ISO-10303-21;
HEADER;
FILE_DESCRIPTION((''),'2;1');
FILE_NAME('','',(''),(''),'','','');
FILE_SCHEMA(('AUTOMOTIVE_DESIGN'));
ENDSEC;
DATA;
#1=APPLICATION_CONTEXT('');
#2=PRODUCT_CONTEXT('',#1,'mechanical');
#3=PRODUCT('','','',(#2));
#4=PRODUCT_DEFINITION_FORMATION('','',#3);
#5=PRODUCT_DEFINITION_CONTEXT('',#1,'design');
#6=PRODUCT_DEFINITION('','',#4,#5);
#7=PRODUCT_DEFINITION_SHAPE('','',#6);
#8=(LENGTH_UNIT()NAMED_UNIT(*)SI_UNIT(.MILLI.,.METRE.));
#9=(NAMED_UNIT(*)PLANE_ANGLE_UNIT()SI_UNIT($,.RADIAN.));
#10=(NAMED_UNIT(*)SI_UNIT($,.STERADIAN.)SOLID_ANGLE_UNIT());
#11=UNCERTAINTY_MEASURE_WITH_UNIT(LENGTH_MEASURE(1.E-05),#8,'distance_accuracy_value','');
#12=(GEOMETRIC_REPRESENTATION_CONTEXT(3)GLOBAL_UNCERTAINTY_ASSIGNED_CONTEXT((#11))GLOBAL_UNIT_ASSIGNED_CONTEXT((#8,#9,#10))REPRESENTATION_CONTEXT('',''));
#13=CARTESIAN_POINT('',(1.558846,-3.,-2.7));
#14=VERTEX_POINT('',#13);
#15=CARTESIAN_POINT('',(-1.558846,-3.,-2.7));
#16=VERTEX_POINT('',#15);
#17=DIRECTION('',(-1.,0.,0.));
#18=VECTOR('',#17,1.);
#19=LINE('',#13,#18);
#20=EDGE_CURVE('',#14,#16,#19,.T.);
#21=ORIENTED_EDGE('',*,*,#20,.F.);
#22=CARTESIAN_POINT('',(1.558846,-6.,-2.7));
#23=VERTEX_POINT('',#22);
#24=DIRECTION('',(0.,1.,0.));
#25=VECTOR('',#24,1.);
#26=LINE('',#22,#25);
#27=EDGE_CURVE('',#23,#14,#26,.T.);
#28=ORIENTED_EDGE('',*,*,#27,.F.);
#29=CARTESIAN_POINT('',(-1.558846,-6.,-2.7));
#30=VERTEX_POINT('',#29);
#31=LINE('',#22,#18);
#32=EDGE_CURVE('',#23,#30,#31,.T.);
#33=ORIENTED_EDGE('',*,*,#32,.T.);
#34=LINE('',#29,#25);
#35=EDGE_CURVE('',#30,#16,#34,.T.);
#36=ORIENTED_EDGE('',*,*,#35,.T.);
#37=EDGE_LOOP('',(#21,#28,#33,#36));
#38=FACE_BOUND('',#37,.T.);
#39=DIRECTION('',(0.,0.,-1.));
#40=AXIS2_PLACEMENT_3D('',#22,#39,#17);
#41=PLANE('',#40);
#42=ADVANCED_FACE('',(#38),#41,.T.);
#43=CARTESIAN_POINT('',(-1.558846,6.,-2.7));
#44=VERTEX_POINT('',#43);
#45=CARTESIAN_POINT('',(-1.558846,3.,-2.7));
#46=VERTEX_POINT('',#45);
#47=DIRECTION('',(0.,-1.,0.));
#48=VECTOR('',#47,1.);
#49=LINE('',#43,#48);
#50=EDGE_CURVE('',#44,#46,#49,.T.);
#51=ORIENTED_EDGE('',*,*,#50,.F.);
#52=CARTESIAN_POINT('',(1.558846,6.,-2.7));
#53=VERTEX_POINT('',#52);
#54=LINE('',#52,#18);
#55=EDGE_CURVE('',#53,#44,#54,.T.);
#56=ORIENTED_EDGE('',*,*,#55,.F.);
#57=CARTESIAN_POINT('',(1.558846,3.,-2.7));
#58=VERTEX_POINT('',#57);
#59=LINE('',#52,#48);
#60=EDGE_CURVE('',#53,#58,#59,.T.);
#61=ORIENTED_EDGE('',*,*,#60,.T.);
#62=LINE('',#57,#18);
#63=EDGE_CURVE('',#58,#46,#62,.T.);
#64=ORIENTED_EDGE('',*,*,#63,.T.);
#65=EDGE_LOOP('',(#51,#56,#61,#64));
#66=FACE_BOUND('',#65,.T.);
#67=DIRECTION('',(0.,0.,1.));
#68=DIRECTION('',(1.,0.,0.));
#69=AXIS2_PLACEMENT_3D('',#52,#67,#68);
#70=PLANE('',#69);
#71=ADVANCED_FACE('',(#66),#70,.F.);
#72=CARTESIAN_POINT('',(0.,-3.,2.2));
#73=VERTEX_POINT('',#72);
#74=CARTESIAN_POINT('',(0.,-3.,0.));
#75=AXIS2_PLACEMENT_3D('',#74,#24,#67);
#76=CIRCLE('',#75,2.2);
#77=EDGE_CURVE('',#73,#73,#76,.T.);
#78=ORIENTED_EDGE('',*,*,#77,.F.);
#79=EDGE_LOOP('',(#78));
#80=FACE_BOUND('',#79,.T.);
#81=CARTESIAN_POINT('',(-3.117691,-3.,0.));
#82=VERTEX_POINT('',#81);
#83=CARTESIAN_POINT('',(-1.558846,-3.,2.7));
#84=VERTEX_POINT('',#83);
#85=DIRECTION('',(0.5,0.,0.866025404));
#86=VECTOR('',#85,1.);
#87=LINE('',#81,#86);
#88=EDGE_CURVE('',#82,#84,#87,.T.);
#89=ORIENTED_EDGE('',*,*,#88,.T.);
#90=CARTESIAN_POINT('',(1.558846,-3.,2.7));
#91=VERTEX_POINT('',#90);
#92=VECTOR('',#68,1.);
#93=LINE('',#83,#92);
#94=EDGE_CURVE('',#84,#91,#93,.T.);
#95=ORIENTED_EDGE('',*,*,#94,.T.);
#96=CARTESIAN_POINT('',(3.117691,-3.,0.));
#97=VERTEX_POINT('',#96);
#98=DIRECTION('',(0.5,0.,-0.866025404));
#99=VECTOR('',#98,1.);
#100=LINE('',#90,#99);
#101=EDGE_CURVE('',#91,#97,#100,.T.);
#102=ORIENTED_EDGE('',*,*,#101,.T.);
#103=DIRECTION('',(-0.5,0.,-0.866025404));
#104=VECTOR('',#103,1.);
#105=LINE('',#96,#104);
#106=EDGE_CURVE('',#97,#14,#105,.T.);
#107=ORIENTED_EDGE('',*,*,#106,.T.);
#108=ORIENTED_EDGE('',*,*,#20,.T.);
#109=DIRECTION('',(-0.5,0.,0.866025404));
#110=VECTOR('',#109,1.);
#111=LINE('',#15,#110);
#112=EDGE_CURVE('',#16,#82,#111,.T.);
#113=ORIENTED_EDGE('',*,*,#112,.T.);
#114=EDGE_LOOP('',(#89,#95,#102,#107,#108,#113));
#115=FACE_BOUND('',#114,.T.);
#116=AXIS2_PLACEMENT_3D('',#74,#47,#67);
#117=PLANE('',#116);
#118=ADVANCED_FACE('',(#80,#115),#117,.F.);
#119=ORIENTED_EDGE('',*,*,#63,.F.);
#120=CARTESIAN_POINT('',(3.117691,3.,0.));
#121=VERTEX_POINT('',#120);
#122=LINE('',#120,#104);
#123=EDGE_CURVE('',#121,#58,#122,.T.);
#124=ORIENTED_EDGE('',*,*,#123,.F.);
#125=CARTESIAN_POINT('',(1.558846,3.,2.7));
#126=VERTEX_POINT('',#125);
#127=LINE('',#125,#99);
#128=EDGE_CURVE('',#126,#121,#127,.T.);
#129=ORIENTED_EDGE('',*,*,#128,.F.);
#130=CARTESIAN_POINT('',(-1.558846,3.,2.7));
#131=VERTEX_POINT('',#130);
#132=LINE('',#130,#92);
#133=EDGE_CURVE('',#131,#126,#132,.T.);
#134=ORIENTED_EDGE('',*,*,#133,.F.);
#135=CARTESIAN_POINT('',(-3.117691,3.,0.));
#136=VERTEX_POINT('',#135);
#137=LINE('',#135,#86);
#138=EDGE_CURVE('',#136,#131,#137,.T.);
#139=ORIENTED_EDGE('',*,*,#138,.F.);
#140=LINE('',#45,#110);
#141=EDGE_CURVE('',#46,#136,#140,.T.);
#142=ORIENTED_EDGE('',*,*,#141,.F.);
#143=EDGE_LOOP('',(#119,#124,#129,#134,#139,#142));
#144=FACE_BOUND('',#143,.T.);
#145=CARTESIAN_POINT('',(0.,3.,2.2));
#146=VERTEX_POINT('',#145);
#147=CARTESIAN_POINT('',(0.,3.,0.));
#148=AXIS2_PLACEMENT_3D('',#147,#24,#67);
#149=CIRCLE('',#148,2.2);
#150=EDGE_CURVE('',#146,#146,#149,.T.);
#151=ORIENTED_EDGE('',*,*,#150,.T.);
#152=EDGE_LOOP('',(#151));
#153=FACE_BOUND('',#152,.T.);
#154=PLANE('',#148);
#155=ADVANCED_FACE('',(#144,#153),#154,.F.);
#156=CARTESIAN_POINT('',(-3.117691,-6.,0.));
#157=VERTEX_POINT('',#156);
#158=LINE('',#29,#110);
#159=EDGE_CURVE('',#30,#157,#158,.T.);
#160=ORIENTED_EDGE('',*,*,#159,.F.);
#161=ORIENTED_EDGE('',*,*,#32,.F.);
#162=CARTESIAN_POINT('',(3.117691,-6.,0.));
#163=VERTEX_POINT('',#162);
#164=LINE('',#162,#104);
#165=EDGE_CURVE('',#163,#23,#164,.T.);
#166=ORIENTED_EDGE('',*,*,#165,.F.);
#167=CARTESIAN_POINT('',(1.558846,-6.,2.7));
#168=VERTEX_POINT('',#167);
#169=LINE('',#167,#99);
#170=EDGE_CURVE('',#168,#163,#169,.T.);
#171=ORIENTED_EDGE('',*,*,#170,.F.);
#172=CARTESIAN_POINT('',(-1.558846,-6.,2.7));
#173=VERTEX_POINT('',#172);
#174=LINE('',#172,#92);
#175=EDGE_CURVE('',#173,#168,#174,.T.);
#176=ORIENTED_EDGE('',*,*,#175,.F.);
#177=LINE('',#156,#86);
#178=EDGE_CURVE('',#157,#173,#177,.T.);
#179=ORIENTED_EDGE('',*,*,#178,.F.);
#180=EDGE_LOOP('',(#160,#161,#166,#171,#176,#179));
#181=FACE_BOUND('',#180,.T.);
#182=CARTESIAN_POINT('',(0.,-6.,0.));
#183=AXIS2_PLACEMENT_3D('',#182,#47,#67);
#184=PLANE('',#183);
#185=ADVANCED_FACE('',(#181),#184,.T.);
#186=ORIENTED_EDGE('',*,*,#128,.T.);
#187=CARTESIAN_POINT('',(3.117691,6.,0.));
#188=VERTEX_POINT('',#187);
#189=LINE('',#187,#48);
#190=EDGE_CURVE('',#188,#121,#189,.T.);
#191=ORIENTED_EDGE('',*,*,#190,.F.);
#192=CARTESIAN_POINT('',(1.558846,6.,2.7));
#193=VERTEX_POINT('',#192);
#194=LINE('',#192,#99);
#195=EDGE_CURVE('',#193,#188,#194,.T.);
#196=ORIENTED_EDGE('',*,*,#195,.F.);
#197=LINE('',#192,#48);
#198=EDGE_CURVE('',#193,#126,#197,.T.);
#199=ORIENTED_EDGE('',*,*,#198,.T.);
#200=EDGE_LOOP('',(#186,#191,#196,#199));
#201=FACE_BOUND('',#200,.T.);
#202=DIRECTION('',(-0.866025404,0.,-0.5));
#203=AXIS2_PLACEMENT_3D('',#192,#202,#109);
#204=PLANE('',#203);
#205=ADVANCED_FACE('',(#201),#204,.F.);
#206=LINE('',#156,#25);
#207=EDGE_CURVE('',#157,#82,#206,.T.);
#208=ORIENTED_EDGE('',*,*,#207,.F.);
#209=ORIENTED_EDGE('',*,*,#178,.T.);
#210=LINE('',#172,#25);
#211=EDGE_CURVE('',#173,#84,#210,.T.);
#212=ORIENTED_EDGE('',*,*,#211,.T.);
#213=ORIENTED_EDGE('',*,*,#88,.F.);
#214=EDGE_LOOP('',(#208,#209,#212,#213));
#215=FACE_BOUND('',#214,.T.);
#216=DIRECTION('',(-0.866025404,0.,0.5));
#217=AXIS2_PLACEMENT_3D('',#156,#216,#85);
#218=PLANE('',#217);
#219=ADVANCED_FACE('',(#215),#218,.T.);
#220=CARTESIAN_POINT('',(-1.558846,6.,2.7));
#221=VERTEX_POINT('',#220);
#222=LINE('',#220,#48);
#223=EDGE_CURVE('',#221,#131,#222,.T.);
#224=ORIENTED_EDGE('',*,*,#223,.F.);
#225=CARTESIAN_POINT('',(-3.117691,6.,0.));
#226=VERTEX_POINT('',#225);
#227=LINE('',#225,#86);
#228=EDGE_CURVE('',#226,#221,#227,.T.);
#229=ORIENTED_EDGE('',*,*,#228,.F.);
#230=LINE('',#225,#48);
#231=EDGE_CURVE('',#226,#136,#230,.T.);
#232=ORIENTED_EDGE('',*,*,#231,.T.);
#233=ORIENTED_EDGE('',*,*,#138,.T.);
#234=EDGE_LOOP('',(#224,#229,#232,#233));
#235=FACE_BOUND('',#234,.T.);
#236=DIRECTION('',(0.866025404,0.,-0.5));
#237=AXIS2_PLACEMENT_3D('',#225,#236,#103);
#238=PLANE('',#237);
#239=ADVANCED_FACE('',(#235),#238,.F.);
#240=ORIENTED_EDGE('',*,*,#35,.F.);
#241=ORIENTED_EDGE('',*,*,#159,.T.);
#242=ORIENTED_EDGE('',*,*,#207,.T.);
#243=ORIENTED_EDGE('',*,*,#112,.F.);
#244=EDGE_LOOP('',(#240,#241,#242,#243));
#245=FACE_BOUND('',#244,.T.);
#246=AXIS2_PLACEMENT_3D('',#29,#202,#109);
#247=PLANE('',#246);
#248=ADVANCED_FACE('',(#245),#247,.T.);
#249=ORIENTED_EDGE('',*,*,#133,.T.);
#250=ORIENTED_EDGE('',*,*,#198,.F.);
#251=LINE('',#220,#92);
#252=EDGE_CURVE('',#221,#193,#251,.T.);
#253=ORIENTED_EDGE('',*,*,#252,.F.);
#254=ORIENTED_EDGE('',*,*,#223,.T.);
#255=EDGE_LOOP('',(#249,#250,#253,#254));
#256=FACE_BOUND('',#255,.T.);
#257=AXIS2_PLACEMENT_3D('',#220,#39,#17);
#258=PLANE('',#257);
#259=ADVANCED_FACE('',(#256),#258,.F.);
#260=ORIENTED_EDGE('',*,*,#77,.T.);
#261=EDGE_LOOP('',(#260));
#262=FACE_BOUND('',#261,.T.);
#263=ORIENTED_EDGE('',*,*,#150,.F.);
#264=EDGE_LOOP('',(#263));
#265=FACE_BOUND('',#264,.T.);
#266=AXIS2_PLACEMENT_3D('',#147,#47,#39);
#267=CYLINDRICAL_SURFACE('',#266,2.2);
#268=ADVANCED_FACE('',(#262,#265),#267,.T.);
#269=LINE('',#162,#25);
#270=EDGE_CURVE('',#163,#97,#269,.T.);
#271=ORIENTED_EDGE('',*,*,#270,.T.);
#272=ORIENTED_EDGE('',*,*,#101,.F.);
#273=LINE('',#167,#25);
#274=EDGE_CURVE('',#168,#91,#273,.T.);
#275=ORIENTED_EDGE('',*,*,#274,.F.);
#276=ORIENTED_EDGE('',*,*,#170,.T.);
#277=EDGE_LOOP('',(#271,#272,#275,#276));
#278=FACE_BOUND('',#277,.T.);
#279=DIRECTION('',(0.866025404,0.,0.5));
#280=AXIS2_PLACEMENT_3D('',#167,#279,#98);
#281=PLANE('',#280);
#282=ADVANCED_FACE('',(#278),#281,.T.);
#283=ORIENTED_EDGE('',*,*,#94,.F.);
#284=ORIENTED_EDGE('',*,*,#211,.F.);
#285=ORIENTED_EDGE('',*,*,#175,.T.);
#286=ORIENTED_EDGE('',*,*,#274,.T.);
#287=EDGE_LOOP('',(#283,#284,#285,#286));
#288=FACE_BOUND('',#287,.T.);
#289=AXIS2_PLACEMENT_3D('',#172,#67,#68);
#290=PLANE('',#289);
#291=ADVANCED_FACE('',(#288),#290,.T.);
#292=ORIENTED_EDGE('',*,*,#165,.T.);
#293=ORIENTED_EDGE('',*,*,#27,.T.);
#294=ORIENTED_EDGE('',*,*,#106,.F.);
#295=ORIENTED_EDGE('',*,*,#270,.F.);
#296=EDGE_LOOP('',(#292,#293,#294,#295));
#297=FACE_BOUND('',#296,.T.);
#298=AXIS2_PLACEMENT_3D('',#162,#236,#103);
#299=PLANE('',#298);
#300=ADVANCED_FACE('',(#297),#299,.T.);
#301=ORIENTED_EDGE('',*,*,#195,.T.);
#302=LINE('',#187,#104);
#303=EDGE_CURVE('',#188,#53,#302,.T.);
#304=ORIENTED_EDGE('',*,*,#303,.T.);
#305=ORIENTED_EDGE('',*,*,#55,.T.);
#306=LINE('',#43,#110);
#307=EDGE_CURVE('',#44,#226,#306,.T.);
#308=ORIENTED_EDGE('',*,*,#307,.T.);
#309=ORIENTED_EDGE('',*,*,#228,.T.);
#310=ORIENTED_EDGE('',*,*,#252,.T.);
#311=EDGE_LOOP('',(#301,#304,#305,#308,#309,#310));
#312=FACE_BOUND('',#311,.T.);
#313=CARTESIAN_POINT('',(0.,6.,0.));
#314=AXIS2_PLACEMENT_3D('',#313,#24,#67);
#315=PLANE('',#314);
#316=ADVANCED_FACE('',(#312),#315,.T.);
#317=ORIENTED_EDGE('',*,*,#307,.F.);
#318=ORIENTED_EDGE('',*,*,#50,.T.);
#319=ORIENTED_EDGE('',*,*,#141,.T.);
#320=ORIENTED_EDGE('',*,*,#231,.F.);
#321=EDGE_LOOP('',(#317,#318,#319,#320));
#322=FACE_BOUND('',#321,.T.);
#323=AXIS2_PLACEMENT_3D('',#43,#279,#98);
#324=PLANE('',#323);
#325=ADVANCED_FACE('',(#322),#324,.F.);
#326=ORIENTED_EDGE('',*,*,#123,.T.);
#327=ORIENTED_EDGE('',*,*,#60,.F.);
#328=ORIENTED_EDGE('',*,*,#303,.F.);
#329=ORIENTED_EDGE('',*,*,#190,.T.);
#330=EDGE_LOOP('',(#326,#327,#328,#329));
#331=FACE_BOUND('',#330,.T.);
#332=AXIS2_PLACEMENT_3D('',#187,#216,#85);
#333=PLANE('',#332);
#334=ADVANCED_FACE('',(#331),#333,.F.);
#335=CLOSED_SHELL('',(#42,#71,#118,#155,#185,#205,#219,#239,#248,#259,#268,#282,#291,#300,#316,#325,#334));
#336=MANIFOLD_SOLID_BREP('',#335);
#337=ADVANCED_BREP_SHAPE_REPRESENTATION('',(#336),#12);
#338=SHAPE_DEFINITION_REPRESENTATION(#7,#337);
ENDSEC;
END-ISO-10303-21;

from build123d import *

# Parameters (mm, degrees)
SKETCH1_R           = 2.2
BOSS_EXTRUDE1_DEPTH = 3
BOSS_EXTRUDE2_DEPTH = 3


with BuildPart() as part:
    # Sketch1 → Boss-Extrude1 (new body)
    with BuildSketch(Plane(origin=(0, 0, 0), x_dir=(1, 0, 0), z_dir=(0, 1, 0))):
        with Locations(Location((0, 0, 0), (0, 0, 270))):
            Circle(SKETCH1_R)
    boss_extrude1 = extrude(amount=BOSS_EXTRUDE1_DEPTH)

    # Sketch2 → Boss-Extrude2 (add)
    with BuildSketch(Plane(origin=(0, 3, 0), x_dir=(1, 0, 0), z_dir=(0, 1, 0))):
        Polygon((-1.558845727, 2.7), (-3.117691454, 0), (-1.558845727, -2.7), (1.558845727, -2.7), (3.117691454, 0), (1.558845727, 2.7), align=None)
    boss_extrude2 = extrude(amount=BOSS_EXTRUDE2_DEPTH)

    # Mirror1: Boss-Extrude1, Boss-Extrude2 across plane
    add(boss_extrude1.mirror(Plane.ZX))
    add(boss_extrude2.mirror(Plane.ZX))


solid = part.part
